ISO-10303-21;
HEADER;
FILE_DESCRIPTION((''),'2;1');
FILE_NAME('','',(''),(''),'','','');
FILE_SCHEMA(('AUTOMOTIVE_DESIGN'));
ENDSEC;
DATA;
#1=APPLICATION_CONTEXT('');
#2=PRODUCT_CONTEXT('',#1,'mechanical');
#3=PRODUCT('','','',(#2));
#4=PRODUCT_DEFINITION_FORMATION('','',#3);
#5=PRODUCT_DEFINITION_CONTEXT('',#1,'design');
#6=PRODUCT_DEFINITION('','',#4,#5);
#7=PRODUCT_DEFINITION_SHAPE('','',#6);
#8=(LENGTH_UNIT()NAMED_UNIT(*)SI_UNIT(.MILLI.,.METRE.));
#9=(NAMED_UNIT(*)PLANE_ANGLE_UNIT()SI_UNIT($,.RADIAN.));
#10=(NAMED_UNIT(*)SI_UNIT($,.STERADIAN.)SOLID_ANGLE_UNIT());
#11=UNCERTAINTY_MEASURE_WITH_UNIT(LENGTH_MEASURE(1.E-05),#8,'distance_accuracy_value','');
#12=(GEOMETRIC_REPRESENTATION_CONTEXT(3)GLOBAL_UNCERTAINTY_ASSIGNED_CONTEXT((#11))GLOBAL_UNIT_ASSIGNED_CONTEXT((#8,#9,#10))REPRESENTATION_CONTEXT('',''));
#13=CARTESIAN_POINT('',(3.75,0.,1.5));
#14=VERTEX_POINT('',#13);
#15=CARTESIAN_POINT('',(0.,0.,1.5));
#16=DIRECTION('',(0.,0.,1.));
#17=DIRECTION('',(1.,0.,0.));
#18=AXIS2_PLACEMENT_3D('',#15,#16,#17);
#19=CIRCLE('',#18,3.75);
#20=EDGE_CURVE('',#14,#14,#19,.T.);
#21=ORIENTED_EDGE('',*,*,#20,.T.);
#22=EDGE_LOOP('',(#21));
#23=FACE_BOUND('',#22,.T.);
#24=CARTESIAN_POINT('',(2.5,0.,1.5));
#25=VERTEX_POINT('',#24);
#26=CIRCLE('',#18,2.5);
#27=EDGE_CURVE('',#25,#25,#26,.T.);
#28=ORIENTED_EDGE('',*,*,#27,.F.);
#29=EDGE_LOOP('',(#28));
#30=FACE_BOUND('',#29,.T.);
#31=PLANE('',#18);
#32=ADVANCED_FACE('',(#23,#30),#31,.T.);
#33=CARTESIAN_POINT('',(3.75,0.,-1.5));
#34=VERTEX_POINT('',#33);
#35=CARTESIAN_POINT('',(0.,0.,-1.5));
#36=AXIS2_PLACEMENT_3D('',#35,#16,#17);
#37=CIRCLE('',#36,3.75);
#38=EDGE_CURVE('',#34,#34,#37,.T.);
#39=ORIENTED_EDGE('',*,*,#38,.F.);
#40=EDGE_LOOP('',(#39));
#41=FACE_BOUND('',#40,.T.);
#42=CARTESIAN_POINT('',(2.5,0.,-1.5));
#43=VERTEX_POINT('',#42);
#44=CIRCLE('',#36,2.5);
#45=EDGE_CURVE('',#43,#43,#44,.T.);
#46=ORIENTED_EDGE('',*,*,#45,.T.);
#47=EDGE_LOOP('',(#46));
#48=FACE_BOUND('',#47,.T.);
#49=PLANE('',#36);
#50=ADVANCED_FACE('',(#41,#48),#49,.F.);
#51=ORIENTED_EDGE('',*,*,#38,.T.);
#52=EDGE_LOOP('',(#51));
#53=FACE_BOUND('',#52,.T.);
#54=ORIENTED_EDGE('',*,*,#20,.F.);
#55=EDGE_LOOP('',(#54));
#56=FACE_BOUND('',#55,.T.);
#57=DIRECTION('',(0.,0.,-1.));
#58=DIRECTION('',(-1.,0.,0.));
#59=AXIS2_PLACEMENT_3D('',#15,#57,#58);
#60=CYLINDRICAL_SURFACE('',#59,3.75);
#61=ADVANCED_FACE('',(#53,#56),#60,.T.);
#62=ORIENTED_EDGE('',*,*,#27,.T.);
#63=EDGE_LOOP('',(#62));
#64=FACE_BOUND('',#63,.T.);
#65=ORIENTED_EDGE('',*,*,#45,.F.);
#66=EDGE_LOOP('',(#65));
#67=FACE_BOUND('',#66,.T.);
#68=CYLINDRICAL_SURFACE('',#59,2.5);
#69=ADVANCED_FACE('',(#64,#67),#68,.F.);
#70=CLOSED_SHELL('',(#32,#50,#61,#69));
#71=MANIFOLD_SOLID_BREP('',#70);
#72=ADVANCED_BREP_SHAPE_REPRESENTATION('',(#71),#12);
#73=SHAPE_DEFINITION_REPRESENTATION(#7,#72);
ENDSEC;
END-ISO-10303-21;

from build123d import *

# Parameters (mm, degrees)
ESBO_O1_R                = 3.75
ESBO_O1_R_2              = 2.5
RESSALTO_EXTRUS_O1_DEPTH = 1.5


with BuildPart() as part:
    # Esboço1 → Ressalto-extrusão1 (new, symmetric)
    with BuildSketch(Plane.XY):
        Circle(ESBO_O1_R)
        Circle(ESBO_O1_R_2, mode=Mode.SUBTRACT)
    extrude(amount=RESSALTO_EXTRUS_O1_DEPTH, both=True)


solid = part.part
